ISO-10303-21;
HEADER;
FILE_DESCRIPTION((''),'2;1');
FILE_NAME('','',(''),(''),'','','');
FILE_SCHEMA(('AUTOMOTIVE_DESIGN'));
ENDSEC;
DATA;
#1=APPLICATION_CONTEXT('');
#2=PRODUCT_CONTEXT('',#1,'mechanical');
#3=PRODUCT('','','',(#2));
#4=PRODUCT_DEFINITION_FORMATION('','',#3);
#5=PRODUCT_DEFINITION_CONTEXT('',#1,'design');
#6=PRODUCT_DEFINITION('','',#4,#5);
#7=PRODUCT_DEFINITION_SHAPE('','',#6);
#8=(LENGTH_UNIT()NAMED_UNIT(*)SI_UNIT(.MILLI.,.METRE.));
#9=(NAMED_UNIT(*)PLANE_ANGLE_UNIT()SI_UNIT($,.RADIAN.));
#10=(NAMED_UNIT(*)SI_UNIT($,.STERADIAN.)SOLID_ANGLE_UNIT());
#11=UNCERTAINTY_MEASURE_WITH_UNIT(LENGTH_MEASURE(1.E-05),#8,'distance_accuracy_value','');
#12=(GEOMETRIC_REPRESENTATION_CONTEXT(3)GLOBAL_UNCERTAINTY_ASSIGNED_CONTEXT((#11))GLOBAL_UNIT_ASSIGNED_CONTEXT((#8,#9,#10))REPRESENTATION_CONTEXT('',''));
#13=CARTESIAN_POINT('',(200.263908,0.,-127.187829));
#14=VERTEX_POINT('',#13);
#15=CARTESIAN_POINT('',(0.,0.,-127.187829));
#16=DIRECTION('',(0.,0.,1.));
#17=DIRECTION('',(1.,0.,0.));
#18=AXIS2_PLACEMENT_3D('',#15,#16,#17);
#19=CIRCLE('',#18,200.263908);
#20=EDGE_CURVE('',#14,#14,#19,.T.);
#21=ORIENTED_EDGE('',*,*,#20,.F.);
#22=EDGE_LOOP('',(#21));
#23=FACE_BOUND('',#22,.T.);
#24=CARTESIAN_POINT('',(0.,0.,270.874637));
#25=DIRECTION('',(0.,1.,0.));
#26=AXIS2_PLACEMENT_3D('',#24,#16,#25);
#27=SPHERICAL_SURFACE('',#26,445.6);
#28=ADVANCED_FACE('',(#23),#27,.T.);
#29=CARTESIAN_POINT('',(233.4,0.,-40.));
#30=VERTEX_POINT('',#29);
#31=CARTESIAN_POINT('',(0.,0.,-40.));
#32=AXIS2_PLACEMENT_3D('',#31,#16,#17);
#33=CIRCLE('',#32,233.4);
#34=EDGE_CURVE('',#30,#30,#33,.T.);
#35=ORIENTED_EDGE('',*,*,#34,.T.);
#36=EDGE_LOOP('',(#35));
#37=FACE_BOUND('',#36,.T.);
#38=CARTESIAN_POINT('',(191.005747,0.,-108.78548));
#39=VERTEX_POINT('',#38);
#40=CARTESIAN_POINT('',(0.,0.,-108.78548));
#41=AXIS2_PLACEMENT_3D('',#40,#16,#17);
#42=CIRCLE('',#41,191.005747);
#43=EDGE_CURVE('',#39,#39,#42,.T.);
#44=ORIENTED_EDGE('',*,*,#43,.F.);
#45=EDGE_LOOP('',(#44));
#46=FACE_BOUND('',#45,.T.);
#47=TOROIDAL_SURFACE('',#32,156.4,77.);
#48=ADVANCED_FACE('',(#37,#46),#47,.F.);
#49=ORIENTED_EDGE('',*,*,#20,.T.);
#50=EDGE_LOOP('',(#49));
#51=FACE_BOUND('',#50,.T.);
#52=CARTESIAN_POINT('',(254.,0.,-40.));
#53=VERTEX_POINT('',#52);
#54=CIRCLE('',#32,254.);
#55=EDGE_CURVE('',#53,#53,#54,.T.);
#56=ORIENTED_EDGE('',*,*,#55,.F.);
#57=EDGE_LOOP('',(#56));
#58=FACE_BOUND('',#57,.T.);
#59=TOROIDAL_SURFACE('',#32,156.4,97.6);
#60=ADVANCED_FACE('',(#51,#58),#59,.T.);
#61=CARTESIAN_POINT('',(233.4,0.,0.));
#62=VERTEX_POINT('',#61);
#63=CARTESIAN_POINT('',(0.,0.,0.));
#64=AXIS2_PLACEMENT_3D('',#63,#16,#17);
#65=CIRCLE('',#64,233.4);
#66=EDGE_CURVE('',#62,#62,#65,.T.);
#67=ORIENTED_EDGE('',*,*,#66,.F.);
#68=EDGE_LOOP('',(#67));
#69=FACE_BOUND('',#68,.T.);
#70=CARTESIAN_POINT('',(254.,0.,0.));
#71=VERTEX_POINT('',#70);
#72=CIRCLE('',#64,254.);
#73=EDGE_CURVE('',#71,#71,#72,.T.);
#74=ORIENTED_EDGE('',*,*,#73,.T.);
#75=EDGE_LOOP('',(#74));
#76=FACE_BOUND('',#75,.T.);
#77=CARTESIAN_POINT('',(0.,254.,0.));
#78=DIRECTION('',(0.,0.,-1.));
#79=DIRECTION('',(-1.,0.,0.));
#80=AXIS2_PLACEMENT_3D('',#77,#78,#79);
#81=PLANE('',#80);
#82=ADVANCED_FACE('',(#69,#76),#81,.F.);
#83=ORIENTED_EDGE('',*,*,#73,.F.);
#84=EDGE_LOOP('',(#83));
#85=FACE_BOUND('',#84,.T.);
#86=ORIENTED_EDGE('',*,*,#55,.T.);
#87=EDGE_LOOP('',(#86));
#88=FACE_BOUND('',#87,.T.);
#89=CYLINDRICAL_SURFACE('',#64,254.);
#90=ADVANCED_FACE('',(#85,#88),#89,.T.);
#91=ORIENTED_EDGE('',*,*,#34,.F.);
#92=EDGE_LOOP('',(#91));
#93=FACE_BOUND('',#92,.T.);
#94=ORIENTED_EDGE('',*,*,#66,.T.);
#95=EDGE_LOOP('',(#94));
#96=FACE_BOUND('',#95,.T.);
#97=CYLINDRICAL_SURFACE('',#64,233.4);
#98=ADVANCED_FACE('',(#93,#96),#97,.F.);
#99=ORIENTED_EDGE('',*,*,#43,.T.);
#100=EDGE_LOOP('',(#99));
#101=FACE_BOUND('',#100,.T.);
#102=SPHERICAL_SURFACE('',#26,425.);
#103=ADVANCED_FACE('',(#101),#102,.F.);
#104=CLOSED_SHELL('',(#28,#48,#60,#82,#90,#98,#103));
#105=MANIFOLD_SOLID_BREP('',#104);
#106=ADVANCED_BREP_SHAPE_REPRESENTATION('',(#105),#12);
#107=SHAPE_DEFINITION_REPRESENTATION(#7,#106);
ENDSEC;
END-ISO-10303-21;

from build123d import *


with BuildPart() as part:
    # Sketch1 → Revolve1 (revolve)
    with BuildSketch(Plane(origin=(0, 0, 0), x_dir=(0, 0, -1), z_dir=(1, 0, 0)), mode=Mode.PRIVATE) as revolve1_sk:
        with BuildLine():
            Line((0, 254), (40, 254))
            ThreePointArc((40, 254), (91.208605599, 239.486934669), (127.187829259, 200.263908046))
            ThreePointArc((127.187829259, 200.263908046), (162.678124968, 102.914345416), (174.725362887, 0))
            Line((174.725362887, 0), (154.125362887, 0))
            ThreePointArc((154.125362887, 0), (142.635066398, 98.156635551), (108.785480051, 191.005747126))
            ThreePointArc((108.785480051, 191.005747126), (80.400231876, 221.95014313), (40, 233.4))
            Line((40, 233.4), (0, 233.4))
            Line((0, 233.4), (0, 254))
        make_face()
    revolve(revolve1_sk.sketch.rotate(Axis((0, 0, 0), (0, 0, -1)), 90), axis=Axis((0, 0, 0), (0, 0, -1)))


solid = part.part
